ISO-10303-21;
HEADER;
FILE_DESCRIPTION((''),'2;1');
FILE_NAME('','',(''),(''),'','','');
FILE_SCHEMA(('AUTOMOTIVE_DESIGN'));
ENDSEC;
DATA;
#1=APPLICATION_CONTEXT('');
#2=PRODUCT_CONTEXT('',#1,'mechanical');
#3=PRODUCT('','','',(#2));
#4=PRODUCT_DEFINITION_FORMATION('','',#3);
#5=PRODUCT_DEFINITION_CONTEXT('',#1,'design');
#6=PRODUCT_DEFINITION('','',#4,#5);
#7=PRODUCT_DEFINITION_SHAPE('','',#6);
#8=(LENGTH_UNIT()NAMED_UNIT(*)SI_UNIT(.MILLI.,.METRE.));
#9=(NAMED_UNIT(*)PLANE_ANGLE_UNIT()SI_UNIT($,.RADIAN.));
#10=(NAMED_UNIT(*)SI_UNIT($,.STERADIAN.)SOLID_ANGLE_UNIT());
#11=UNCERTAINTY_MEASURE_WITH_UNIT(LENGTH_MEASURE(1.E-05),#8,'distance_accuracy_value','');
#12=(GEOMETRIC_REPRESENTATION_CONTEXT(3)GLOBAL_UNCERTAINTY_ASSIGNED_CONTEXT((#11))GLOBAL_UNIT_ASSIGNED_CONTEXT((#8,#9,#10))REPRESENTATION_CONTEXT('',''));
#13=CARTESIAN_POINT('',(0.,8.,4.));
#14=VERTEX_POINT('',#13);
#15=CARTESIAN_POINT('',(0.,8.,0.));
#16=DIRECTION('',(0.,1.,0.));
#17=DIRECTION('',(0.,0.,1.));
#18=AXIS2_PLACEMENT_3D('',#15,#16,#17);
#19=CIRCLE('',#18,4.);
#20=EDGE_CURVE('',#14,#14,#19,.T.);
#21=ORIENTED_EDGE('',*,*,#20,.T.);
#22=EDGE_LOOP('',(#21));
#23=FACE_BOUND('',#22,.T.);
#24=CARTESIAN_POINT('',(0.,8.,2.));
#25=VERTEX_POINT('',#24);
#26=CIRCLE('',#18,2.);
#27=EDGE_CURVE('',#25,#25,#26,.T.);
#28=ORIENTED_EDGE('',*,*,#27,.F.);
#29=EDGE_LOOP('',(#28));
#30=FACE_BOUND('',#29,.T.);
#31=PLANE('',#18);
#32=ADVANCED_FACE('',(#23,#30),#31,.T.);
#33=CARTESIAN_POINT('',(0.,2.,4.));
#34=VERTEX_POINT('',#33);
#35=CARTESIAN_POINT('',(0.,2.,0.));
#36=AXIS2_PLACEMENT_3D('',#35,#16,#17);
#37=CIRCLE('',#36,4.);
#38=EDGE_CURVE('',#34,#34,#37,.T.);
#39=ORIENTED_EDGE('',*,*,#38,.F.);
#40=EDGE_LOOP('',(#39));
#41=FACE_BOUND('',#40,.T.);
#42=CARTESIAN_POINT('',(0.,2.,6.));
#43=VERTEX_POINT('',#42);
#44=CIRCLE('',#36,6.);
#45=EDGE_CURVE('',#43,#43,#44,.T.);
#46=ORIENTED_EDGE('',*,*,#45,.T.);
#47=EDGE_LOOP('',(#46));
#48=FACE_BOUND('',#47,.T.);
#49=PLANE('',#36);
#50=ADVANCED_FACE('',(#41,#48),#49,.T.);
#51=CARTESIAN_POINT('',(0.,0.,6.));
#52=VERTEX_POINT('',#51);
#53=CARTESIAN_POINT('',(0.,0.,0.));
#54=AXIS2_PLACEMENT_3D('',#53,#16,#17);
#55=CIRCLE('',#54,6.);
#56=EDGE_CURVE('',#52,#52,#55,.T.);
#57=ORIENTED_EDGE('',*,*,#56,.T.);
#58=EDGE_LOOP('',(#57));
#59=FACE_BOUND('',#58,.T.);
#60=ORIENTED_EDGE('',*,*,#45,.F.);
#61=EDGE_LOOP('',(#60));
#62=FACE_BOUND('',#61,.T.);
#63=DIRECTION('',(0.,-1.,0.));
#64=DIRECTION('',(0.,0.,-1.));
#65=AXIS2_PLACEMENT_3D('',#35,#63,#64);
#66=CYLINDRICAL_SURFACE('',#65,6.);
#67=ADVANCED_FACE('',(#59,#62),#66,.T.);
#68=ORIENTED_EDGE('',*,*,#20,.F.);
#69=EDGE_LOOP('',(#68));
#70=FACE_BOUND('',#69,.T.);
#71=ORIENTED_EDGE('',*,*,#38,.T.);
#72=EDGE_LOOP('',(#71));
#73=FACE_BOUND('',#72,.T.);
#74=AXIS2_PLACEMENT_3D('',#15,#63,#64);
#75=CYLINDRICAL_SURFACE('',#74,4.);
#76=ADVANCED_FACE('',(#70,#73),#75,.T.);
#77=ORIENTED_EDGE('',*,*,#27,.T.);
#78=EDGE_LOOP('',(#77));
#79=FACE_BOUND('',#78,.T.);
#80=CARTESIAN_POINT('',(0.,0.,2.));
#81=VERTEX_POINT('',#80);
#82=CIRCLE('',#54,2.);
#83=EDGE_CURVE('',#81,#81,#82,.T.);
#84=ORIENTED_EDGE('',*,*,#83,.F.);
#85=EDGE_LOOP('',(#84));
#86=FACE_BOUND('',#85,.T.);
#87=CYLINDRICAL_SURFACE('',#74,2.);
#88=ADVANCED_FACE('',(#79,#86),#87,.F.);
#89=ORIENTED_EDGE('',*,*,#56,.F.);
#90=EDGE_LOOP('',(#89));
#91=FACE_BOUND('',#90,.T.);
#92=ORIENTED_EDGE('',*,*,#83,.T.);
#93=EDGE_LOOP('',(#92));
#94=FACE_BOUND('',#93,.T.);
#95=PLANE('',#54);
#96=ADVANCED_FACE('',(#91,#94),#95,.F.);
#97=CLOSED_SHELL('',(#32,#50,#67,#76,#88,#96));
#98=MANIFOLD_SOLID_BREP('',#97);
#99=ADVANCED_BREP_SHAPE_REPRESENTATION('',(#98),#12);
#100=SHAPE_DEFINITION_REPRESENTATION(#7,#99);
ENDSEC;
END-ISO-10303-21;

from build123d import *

# Parameters (mm, degrees)
SKETCH1_R           = 6
SKETCH1_R_2         = 4
BOSS_EXTRUDE1_DEPTH = 2
SKETCH1_3_R         = 4
SKETCH1_3_R_2       = 2
BOSS_EXTRUDE2_DEPTH = 8


with BuildPart() as part:
    # Sketch1 → Boss-Extrude1 (new body)
    with BuildSketch(Plane(origin=(0, 0, 0), x_dir=(1, 0, 0), z_dir=(0, 1, 0))):
        Circle(SKETCH1_R)
        Circle(SKETCH1_R_2, mode=Mode.SUBTRACT)
    extrude(amount=BOSS_EXTRUDE1_DEPTH)

    # Sketch1<3> → Boss-Extrude2 (add)
    with BuildSketch(Plane(origin=(0, 0, 0), x_dir=(1, 0, 0), z_dir=(0, 1, 0))):
        Circle(SKETCH1_3_R)
        Circle(SKETCH1_3_R_2, mode=Mode.SUBTRACT)
    extrude(amount=BOSS_EXTRUDE2_DEPTH)


solid = part.part
